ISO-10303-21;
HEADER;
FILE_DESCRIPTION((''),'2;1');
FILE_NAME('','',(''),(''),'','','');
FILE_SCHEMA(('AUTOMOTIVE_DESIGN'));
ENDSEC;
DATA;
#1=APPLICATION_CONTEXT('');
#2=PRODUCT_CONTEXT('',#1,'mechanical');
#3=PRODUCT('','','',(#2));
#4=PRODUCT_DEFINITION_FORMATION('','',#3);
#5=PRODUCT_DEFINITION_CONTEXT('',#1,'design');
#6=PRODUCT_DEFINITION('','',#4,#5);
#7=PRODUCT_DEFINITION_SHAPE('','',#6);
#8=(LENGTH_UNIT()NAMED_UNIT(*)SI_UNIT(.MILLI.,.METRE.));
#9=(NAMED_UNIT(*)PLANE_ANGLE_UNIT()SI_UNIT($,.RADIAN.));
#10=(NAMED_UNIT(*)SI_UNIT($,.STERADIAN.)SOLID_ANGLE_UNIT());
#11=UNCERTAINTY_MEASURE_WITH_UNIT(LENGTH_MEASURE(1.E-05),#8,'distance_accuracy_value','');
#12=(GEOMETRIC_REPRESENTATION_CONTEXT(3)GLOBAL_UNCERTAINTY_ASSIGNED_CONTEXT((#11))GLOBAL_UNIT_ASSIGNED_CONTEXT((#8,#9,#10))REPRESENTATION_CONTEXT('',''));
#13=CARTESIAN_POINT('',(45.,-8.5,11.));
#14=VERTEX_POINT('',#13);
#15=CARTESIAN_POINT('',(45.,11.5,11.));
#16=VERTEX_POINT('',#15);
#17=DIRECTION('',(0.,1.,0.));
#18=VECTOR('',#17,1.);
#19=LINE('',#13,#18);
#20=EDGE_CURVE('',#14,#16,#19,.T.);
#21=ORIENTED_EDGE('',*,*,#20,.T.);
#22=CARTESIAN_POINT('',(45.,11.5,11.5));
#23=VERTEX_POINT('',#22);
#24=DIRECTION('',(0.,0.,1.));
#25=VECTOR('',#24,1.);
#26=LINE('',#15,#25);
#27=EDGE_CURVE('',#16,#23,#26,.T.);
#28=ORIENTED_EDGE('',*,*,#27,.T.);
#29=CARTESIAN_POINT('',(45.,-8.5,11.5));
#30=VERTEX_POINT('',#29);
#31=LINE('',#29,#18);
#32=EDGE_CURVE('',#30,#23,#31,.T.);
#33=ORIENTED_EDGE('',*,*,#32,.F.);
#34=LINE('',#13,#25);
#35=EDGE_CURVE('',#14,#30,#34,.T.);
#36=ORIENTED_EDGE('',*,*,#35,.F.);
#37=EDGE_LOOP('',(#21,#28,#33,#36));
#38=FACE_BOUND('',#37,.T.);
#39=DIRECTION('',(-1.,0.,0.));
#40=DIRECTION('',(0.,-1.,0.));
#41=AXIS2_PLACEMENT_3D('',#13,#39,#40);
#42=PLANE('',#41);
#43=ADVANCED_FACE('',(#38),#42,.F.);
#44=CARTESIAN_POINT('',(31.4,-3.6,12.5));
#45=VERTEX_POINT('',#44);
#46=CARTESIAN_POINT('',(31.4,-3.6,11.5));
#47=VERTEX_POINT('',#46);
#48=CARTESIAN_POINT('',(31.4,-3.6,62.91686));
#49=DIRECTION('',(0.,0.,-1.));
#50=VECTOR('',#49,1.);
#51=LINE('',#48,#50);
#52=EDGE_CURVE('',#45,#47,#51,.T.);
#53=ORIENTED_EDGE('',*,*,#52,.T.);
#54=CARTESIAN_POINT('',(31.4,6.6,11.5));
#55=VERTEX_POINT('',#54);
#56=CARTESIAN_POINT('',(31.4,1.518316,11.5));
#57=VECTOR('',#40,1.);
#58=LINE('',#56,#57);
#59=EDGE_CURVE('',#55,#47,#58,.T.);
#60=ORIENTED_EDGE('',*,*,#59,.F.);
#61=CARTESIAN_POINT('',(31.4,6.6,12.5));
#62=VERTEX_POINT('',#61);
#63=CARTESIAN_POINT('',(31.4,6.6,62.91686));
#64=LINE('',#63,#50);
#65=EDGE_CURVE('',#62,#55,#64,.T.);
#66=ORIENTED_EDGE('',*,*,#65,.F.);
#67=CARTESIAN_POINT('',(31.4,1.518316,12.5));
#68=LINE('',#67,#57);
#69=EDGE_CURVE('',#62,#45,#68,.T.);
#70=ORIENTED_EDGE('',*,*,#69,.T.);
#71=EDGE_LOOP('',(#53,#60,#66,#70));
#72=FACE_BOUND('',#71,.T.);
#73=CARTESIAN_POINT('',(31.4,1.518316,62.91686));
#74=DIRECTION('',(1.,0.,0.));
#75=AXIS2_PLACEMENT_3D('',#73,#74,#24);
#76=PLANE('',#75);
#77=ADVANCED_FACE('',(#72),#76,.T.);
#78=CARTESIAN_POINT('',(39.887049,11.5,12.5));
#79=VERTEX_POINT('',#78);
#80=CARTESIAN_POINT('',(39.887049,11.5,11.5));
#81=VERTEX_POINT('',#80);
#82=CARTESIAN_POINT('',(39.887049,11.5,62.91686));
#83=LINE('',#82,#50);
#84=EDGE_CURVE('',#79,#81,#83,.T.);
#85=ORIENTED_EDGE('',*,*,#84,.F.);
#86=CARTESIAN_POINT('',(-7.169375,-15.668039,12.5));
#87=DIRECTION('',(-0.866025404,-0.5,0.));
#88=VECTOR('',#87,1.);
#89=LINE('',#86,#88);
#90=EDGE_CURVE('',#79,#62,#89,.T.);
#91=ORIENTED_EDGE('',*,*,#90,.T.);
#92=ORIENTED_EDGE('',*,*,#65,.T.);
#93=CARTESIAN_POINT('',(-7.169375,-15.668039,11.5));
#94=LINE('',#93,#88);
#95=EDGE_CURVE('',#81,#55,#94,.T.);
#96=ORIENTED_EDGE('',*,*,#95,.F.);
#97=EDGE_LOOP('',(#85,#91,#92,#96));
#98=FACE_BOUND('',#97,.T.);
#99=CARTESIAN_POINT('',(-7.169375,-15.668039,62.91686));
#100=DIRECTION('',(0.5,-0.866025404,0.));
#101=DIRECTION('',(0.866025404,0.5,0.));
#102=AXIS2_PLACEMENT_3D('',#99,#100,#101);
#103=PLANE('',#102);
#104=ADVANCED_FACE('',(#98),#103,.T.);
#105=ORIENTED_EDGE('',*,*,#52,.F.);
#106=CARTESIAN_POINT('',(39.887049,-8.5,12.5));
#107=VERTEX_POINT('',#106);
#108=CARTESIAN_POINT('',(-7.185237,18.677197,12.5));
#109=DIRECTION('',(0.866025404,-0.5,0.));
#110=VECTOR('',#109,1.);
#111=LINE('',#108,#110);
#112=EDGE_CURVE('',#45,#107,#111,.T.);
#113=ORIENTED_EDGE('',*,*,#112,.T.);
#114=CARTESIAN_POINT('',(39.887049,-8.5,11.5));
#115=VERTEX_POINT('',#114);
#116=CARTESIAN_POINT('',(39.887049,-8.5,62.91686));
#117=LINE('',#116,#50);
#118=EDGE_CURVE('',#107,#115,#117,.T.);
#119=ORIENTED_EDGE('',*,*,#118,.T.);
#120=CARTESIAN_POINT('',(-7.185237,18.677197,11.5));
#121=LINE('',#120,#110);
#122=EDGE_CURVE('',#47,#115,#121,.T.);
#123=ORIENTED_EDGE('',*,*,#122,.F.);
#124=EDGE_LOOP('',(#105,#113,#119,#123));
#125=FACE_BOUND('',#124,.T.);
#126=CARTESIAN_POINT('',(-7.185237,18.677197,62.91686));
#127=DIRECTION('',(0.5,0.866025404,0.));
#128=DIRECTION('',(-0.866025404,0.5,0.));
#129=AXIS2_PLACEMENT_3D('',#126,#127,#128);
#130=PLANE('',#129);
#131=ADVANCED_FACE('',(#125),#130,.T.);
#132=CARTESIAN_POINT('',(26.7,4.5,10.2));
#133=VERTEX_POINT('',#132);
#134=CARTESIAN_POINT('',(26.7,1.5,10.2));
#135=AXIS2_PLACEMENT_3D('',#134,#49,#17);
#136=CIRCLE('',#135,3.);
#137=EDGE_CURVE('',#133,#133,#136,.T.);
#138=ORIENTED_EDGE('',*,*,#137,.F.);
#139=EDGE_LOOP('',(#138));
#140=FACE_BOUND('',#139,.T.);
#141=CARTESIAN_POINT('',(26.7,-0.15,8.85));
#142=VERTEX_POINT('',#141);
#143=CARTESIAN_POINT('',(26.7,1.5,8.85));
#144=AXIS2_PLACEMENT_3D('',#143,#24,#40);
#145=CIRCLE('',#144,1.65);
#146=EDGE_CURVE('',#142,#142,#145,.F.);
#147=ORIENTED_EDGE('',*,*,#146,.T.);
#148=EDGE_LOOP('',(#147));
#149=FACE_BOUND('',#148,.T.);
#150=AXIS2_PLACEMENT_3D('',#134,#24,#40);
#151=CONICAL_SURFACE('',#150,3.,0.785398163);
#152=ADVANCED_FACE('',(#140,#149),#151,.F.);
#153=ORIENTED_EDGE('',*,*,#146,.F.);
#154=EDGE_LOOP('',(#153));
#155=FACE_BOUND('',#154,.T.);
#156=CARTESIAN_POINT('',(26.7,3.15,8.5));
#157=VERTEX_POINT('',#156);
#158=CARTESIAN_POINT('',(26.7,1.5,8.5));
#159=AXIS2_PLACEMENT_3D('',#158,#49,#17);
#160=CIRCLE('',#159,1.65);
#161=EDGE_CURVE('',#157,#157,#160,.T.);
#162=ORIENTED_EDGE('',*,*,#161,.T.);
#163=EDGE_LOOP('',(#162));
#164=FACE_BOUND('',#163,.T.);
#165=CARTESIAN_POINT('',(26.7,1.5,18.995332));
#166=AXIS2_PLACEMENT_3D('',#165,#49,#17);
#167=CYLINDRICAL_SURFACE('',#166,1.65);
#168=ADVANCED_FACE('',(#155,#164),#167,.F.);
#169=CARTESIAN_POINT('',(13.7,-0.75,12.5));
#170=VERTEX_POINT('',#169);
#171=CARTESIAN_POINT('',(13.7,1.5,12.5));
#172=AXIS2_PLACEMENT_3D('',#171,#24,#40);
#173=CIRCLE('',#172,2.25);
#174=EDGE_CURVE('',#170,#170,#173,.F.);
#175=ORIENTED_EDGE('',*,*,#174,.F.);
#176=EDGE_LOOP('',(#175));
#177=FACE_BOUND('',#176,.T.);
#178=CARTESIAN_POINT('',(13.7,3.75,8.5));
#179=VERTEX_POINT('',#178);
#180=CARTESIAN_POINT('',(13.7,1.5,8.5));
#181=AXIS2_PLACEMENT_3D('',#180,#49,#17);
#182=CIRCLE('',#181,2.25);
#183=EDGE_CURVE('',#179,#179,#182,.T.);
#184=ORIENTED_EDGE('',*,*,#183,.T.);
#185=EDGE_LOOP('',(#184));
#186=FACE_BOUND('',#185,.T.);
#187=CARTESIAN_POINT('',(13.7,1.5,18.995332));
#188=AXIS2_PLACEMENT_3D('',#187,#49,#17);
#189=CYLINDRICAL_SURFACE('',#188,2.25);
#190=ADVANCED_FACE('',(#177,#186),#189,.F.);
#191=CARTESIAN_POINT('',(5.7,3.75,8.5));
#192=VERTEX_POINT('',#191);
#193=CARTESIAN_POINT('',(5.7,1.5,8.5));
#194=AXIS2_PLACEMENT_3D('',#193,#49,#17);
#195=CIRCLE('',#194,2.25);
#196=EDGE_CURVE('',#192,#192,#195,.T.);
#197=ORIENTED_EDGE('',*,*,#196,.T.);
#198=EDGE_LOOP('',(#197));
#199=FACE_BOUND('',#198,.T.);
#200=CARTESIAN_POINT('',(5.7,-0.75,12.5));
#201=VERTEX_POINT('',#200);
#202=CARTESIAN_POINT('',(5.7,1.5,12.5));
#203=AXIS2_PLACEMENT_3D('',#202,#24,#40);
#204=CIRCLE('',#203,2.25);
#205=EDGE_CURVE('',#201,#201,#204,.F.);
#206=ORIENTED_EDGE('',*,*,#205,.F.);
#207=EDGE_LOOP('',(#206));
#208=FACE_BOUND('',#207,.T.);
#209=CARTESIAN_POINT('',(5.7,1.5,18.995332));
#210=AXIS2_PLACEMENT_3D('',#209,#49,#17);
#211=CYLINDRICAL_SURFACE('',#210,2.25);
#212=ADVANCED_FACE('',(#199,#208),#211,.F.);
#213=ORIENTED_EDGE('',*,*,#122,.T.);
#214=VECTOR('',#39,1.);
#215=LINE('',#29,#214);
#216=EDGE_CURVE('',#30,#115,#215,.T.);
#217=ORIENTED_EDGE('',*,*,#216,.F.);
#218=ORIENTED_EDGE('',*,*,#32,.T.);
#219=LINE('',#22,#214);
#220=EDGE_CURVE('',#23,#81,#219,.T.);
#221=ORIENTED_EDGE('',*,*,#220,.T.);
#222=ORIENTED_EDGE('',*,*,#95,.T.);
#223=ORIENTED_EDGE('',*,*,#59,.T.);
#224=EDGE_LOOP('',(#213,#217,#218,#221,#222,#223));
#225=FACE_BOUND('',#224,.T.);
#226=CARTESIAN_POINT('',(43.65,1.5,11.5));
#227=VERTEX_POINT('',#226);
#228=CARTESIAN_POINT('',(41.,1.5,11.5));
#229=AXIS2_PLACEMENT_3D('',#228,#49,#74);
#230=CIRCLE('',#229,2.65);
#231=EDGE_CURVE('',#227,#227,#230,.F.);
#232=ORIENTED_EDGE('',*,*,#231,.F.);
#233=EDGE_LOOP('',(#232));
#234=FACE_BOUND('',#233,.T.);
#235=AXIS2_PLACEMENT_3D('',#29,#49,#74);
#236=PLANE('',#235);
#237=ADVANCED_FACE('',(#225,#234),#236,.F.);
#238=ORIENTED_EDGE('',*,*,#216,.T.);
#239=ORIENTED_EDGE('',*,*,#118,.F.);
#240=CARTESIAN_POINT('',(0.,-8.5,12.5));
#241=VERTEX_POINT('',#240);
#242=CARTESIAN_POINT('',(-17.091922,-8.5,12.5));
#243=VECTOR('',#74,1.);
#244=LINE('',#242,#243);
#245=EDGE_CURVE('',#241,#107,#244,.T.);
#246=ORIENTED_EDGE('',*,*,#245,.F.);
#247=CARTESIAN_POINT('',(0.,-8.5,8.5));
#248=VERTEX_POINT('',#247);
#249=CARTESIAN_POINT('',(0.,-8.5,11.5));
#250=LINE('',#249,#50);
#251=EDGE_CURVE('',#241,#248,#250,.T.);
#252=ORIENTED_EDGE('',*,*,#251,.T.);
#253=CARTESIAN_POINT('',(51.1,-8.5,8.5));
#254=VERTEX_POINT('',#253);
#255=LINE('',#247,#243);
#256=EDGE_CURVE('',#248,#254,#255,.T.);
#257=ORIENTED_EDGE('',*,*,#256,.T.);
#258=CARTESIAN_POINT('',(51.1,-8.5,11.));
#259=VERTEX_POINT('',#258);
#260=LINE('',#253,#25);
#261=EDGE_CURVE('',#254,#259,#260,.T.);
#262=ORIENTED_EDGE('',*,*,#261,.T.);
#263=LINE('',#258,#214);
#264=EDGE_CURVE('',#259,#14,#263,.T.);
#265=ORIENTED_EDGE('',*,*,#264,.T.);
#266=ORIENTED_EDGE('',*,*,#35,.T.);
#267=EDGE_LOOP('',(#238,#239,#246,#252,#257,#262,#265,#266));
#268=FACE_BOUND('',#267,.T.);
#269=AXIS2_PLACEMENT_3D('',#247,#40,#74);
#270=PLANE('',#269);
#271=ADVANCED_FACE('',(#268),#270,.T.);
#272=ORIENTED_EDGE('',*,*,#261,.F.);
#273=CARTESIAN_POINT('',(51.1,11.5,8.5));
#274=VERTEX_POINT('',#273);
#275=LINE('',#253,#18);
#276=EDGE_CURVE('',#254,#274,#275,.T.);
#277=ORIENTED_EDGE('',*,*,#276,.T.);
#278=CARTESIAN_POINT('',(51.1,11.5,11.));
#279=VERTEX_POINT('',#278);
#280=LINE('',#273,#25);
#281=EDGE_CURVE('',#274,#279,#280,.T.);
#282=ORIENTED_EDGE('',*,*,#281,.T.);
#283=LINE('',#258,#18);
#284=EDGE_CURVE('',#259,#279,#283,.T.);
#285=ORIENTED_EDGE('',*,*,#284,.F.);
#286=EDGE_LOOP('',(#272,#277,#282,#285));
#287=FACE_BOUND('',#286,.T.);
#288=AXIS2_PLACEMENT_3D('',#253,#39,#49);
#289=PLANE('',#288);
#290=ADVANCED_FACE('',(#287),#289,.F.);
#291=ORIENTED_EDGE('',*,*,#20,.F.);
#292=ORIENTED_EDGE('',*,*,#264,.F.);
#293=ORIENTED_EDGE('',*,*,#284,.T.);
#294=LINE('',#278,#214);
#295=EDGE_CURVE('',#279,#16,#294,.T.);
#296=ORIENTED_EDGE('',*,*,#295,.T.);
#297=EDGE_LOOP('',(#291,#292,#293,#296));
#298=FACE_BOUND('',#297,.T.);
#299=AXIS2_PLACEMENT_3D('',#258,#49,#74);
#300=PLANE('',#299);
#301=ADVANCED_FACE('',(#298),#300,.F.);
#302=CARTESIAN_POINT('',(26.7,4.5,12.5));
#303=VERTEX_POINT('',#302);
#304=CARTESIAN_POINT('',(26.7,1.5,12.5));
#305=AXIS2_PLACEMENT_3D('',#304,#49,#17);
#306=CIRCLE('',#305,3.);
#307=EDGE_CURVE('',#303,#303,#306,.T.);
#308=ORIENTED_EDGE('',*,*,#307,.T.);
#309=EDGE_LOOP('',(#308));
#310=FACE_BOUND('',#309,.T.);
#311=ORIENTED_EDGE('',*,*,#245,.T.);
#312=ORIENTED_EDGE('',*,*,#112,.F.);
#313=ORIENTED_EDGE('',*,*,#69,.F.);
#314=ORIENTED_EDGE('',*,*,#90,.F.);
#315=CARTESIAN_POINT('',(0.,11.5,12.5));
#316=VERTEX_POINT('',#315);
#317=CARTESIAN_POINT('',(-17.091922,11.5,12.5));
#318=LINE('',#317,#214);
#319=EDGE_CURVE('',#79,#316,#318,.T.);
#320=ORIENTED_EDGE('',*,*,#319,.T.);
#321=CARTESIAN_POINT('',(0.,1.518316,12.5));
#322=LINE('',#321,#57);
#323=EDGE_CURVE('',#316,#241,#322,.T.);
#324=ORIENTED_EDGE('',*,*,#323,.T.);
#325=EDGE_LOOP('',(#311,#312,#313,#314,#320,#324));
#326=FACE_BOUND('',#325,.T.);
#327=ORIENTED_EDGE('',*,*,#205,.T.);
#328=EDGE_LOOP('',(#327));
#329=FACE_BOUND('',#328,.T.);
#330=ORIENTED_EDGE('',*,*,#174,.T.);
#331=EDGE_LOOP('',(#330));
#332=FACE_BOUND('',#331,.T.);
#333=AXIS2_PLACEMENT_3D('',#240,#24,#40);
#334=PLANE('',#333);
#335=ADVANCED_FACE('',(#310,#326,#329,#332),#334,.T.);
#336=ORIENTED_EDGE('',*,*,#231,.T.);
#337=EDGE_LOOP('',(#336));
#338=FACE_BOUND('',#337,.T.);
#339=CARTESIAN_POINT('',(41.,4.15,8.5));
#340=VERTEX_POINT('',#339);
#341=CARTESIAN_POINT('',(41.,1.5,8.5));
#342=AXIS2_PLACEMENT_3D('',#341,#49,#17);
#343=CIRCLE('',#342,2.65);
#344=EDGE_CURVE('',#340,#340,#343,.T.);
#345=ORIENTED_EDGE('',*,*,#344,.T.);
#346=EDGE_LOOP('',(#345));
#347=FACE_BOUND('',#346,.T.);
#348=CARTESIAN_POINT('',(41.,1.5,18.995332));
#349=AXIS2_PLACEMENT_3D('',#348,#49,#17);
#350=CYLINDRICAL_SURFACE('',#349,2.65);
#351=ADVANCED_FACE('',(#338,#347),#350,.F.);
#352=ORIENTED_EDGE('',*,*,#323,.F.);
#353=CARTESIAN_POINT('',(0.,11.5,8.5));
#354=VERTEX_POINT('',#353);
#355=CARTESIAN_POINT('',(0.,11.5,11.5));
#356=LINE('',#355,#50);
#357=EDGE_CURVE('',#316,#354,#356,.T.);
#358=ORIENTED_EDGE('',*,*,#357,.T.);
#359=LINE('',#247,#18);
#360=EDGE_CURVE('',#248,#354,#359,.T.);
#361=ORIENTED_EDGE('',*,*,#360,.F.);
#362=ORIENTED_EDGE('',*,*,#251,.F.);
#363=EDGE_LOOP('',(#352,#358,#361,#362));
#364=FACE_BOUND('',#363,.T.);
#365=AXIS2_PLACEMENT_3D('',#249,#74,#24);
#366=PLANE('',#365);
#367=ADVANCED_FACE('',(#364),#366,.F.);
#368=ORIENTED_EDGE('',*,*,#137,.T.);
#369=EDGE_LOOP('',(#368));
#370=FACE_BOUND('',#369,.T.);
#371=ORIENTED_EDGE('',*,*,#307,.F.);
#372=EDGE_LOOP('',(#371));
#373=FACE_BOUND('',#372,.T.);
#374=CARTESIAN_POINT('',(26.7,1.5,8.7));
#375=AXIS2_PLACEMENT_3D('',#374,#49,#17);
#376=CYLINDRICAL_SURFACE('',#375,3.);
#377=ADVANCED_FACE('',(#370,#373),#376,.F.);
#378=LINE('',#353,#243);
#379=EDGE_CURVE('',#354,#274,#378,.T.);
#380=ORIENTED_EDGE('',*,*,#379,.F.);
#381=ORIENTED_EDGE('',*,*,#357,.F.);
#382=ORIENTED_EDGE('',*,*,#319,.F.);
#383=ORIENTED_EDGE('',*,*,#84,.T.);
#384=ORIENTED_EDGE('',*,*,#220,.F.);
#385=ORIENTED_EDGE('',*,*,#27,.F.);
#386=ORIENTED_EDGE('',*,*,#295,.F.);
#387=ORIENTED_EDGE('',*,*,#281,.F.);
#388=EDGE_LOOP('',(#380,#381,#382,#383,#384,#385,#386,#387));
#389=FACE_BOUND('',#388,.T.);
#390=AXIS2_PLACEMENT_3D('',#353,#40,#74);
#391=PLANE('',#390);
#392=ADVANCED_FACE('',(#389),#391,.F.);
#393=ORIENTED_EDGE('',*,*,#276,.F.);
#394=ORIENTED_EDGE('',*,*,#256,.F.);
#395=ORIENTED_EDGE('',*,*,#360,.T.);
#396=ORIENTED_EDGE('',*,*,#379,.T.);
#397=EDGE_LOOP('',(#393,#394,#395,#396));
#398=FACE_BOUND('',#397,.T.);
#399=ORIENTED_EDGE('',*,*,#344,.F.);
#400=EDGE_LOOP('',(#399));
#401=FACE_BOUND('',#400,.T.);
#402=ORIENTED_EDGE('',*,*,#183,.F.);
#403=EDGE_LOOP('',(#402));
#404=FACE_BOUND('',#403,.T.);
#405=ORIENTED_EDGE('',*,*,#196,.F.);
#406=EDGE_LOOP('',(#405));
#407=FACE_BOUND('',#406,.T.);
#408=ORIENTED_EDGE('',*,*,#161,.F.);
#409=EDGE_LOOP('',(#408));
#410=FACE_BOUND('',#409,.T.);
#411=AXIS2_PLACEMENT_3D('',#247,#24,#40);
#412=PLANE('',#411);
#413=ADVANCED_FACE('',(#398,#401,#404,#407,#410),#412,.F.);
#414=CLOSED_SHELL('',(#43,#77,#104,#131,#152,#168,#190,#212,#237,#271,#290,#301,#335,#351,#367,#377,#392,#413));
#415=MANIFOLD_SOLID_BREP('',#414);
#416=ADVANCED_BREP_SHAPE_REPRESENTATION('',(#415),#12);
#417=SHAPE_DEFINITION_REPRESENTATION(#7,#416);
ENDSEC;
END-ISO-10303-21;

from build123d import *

# Parameters (mm, degrees)
AUFSATZ_LINEAR_AUSTRAGEN1_DEPTH    = 20
SKIZZE2_R                          = 1.6499999999999988
SKIZZE2_R_2                        = 2.65
SKIZZE2_R_3                        = 2.250000000000001
SCHNITT_LINEAR_AUSTRAGEN1_DEPTH    = 3
SKIZZE3_R                          = 2.250000000000001
SKIZZE3_R_2                        = 1.6499999999999988
AUFSATZ_LINEAR_AUSTRAGEN2_DEPTH    = 1
SKIZZE5_W                          = 1.9999999999999998
SKIZZE5_H                          = 2
SCHNITT_LINEAR_AUSTRAGEN2_DEPTH    = 1
K_RPER_VERSCHIEBEN_KOPIEREN1_ANGLE = 90.00000000007478


with BuildPart() as part:
    # Skizze1 → Aufsatz-Linear austragen1 (new body)
    with BuildSketch(Plane.XY):
        Polygon((0, 0), (51.099999999999994, 0), (51.1, 2.5), (45, 2.499999999999999), (45, 3.0000000000000058), (6e-16, 3), align=None)
    extrude(amount=AUFSATZ_LINEAR_AUSTRAGEN1_DEPTH)

    # Skizze2 → Schnitt-Linear austragen1 (cut)
    with BuildSketch(Plane.XZ):
        with Locations(Location((26.699999999999996, 9.999999999999998, 0), (0, 0, 270))):
            Circle(SKIZZE2_R)
        with Locations(Location((40.99999999999999, 10, 0), (0, 0, 270))):
            Circle(SKIZZE2_R_2)
        with Locations(Location((13.699999999999996, 10, 0), (0, 0, 270))):
            Circle(SKIZZE2_R_3)
        with Locations(Location((5.699999999999995, 9.999999999999998, 0), (0, 0, 270))):
            Circle(SKIZZE2_R_3)
    extrude(amount=-SCHNITT_LINEAR_AUSTRAGEN1_DEPTH, mode=Mode.SUBTRACT)

    # Skizze3 → Aufsatz-Linear austragen2 (add)
    with BuildSketch(Plane(origin=(-3.8e-16, 3, 0), x_dir=(1, 1.2e-16, 0), z_dir=(-1.2e-16, 1, 0))):
        Polygon((39.887048957087536, 0), (9.5e-16, 0), (9.5e-16, -8), (-1.9999999999999987, -8), (-1.9999999999999987, -10), (9.5e-16, -10), (9.5e-16, -20), (39.887048957087536, -19.99999999999999), (31.39999999999999, -15.1), (31.39999999999999, -4.900000000000001), align=None)
        with Locations((5.699999999999995, -9.999999999999998)):
            Circle(SKIZZE3_R, mode=Mode.SUBTRACT)
        with Locations((13.699999999999996, -10)):
            Circle(SKIZZE3_R, mode=Mode.SUBTRACT)
        with Locations((26.699999999999996, -9.999999999999998)):
            Circle(SKIZZE3_R_2, mode=Mode.SUBTRACT)
    extrude(amount=AUFSATZ_LINEAR_AUSTRAGEN2_DEPTH)

    # Skizze4 → Schnitt-Rotation3 (revolve, cut)
    with BuildSketch(Plane.XY.offset(10), mode=Mode.PRIVATE) as schnitt_rotation3_sk:
        Polygon((23.699999999999996, 3.9999999999999964), (23.699999999999996, 1.699999999999991), (25.199999999999992, 0.2), (26.699999999999996, 0.2000000000000001), (26.699999999999996, 3.9999999999999964), align=None)
    revolve(schnitt_rotation3_sk.sketch.rotate(Axis((26.699999999999996, 0.2000000000000001, 10), (0, 1, 0)), 270), axis=Axis((26.699999999999996, 0.2000000000000001, 10), (0, 1, 0)), mode=Mode.SUBTRACT)

    # Skizze5 → Schnitt-Linear austragen2 (cut)
    with BuildSketch(Plane(origin=(0, 4, 0), x_dir=(1, 0, 0), z_dir=(0, 1, 0))):
        with Locations((-1, -9)):
            Rectangle(SKIZZE5_W, SKIZZE5_H)
    extrude(amount=-SCHNITT_LINEAR_AUSTRAGEN2_DEPTH, mode=Mode.SUBTRACT)


with BuildPart() as part_1:
    # Körper-Verschieben/Kopieren1: moved
    add(part.part.rotate(Axis((0, 1.500000000000004, 9.999999999999998), (1, 0, 0)), K_RPER_VERSCHIEBEN_KOPIEREN1_ANGLE))


solid = part_1.part
